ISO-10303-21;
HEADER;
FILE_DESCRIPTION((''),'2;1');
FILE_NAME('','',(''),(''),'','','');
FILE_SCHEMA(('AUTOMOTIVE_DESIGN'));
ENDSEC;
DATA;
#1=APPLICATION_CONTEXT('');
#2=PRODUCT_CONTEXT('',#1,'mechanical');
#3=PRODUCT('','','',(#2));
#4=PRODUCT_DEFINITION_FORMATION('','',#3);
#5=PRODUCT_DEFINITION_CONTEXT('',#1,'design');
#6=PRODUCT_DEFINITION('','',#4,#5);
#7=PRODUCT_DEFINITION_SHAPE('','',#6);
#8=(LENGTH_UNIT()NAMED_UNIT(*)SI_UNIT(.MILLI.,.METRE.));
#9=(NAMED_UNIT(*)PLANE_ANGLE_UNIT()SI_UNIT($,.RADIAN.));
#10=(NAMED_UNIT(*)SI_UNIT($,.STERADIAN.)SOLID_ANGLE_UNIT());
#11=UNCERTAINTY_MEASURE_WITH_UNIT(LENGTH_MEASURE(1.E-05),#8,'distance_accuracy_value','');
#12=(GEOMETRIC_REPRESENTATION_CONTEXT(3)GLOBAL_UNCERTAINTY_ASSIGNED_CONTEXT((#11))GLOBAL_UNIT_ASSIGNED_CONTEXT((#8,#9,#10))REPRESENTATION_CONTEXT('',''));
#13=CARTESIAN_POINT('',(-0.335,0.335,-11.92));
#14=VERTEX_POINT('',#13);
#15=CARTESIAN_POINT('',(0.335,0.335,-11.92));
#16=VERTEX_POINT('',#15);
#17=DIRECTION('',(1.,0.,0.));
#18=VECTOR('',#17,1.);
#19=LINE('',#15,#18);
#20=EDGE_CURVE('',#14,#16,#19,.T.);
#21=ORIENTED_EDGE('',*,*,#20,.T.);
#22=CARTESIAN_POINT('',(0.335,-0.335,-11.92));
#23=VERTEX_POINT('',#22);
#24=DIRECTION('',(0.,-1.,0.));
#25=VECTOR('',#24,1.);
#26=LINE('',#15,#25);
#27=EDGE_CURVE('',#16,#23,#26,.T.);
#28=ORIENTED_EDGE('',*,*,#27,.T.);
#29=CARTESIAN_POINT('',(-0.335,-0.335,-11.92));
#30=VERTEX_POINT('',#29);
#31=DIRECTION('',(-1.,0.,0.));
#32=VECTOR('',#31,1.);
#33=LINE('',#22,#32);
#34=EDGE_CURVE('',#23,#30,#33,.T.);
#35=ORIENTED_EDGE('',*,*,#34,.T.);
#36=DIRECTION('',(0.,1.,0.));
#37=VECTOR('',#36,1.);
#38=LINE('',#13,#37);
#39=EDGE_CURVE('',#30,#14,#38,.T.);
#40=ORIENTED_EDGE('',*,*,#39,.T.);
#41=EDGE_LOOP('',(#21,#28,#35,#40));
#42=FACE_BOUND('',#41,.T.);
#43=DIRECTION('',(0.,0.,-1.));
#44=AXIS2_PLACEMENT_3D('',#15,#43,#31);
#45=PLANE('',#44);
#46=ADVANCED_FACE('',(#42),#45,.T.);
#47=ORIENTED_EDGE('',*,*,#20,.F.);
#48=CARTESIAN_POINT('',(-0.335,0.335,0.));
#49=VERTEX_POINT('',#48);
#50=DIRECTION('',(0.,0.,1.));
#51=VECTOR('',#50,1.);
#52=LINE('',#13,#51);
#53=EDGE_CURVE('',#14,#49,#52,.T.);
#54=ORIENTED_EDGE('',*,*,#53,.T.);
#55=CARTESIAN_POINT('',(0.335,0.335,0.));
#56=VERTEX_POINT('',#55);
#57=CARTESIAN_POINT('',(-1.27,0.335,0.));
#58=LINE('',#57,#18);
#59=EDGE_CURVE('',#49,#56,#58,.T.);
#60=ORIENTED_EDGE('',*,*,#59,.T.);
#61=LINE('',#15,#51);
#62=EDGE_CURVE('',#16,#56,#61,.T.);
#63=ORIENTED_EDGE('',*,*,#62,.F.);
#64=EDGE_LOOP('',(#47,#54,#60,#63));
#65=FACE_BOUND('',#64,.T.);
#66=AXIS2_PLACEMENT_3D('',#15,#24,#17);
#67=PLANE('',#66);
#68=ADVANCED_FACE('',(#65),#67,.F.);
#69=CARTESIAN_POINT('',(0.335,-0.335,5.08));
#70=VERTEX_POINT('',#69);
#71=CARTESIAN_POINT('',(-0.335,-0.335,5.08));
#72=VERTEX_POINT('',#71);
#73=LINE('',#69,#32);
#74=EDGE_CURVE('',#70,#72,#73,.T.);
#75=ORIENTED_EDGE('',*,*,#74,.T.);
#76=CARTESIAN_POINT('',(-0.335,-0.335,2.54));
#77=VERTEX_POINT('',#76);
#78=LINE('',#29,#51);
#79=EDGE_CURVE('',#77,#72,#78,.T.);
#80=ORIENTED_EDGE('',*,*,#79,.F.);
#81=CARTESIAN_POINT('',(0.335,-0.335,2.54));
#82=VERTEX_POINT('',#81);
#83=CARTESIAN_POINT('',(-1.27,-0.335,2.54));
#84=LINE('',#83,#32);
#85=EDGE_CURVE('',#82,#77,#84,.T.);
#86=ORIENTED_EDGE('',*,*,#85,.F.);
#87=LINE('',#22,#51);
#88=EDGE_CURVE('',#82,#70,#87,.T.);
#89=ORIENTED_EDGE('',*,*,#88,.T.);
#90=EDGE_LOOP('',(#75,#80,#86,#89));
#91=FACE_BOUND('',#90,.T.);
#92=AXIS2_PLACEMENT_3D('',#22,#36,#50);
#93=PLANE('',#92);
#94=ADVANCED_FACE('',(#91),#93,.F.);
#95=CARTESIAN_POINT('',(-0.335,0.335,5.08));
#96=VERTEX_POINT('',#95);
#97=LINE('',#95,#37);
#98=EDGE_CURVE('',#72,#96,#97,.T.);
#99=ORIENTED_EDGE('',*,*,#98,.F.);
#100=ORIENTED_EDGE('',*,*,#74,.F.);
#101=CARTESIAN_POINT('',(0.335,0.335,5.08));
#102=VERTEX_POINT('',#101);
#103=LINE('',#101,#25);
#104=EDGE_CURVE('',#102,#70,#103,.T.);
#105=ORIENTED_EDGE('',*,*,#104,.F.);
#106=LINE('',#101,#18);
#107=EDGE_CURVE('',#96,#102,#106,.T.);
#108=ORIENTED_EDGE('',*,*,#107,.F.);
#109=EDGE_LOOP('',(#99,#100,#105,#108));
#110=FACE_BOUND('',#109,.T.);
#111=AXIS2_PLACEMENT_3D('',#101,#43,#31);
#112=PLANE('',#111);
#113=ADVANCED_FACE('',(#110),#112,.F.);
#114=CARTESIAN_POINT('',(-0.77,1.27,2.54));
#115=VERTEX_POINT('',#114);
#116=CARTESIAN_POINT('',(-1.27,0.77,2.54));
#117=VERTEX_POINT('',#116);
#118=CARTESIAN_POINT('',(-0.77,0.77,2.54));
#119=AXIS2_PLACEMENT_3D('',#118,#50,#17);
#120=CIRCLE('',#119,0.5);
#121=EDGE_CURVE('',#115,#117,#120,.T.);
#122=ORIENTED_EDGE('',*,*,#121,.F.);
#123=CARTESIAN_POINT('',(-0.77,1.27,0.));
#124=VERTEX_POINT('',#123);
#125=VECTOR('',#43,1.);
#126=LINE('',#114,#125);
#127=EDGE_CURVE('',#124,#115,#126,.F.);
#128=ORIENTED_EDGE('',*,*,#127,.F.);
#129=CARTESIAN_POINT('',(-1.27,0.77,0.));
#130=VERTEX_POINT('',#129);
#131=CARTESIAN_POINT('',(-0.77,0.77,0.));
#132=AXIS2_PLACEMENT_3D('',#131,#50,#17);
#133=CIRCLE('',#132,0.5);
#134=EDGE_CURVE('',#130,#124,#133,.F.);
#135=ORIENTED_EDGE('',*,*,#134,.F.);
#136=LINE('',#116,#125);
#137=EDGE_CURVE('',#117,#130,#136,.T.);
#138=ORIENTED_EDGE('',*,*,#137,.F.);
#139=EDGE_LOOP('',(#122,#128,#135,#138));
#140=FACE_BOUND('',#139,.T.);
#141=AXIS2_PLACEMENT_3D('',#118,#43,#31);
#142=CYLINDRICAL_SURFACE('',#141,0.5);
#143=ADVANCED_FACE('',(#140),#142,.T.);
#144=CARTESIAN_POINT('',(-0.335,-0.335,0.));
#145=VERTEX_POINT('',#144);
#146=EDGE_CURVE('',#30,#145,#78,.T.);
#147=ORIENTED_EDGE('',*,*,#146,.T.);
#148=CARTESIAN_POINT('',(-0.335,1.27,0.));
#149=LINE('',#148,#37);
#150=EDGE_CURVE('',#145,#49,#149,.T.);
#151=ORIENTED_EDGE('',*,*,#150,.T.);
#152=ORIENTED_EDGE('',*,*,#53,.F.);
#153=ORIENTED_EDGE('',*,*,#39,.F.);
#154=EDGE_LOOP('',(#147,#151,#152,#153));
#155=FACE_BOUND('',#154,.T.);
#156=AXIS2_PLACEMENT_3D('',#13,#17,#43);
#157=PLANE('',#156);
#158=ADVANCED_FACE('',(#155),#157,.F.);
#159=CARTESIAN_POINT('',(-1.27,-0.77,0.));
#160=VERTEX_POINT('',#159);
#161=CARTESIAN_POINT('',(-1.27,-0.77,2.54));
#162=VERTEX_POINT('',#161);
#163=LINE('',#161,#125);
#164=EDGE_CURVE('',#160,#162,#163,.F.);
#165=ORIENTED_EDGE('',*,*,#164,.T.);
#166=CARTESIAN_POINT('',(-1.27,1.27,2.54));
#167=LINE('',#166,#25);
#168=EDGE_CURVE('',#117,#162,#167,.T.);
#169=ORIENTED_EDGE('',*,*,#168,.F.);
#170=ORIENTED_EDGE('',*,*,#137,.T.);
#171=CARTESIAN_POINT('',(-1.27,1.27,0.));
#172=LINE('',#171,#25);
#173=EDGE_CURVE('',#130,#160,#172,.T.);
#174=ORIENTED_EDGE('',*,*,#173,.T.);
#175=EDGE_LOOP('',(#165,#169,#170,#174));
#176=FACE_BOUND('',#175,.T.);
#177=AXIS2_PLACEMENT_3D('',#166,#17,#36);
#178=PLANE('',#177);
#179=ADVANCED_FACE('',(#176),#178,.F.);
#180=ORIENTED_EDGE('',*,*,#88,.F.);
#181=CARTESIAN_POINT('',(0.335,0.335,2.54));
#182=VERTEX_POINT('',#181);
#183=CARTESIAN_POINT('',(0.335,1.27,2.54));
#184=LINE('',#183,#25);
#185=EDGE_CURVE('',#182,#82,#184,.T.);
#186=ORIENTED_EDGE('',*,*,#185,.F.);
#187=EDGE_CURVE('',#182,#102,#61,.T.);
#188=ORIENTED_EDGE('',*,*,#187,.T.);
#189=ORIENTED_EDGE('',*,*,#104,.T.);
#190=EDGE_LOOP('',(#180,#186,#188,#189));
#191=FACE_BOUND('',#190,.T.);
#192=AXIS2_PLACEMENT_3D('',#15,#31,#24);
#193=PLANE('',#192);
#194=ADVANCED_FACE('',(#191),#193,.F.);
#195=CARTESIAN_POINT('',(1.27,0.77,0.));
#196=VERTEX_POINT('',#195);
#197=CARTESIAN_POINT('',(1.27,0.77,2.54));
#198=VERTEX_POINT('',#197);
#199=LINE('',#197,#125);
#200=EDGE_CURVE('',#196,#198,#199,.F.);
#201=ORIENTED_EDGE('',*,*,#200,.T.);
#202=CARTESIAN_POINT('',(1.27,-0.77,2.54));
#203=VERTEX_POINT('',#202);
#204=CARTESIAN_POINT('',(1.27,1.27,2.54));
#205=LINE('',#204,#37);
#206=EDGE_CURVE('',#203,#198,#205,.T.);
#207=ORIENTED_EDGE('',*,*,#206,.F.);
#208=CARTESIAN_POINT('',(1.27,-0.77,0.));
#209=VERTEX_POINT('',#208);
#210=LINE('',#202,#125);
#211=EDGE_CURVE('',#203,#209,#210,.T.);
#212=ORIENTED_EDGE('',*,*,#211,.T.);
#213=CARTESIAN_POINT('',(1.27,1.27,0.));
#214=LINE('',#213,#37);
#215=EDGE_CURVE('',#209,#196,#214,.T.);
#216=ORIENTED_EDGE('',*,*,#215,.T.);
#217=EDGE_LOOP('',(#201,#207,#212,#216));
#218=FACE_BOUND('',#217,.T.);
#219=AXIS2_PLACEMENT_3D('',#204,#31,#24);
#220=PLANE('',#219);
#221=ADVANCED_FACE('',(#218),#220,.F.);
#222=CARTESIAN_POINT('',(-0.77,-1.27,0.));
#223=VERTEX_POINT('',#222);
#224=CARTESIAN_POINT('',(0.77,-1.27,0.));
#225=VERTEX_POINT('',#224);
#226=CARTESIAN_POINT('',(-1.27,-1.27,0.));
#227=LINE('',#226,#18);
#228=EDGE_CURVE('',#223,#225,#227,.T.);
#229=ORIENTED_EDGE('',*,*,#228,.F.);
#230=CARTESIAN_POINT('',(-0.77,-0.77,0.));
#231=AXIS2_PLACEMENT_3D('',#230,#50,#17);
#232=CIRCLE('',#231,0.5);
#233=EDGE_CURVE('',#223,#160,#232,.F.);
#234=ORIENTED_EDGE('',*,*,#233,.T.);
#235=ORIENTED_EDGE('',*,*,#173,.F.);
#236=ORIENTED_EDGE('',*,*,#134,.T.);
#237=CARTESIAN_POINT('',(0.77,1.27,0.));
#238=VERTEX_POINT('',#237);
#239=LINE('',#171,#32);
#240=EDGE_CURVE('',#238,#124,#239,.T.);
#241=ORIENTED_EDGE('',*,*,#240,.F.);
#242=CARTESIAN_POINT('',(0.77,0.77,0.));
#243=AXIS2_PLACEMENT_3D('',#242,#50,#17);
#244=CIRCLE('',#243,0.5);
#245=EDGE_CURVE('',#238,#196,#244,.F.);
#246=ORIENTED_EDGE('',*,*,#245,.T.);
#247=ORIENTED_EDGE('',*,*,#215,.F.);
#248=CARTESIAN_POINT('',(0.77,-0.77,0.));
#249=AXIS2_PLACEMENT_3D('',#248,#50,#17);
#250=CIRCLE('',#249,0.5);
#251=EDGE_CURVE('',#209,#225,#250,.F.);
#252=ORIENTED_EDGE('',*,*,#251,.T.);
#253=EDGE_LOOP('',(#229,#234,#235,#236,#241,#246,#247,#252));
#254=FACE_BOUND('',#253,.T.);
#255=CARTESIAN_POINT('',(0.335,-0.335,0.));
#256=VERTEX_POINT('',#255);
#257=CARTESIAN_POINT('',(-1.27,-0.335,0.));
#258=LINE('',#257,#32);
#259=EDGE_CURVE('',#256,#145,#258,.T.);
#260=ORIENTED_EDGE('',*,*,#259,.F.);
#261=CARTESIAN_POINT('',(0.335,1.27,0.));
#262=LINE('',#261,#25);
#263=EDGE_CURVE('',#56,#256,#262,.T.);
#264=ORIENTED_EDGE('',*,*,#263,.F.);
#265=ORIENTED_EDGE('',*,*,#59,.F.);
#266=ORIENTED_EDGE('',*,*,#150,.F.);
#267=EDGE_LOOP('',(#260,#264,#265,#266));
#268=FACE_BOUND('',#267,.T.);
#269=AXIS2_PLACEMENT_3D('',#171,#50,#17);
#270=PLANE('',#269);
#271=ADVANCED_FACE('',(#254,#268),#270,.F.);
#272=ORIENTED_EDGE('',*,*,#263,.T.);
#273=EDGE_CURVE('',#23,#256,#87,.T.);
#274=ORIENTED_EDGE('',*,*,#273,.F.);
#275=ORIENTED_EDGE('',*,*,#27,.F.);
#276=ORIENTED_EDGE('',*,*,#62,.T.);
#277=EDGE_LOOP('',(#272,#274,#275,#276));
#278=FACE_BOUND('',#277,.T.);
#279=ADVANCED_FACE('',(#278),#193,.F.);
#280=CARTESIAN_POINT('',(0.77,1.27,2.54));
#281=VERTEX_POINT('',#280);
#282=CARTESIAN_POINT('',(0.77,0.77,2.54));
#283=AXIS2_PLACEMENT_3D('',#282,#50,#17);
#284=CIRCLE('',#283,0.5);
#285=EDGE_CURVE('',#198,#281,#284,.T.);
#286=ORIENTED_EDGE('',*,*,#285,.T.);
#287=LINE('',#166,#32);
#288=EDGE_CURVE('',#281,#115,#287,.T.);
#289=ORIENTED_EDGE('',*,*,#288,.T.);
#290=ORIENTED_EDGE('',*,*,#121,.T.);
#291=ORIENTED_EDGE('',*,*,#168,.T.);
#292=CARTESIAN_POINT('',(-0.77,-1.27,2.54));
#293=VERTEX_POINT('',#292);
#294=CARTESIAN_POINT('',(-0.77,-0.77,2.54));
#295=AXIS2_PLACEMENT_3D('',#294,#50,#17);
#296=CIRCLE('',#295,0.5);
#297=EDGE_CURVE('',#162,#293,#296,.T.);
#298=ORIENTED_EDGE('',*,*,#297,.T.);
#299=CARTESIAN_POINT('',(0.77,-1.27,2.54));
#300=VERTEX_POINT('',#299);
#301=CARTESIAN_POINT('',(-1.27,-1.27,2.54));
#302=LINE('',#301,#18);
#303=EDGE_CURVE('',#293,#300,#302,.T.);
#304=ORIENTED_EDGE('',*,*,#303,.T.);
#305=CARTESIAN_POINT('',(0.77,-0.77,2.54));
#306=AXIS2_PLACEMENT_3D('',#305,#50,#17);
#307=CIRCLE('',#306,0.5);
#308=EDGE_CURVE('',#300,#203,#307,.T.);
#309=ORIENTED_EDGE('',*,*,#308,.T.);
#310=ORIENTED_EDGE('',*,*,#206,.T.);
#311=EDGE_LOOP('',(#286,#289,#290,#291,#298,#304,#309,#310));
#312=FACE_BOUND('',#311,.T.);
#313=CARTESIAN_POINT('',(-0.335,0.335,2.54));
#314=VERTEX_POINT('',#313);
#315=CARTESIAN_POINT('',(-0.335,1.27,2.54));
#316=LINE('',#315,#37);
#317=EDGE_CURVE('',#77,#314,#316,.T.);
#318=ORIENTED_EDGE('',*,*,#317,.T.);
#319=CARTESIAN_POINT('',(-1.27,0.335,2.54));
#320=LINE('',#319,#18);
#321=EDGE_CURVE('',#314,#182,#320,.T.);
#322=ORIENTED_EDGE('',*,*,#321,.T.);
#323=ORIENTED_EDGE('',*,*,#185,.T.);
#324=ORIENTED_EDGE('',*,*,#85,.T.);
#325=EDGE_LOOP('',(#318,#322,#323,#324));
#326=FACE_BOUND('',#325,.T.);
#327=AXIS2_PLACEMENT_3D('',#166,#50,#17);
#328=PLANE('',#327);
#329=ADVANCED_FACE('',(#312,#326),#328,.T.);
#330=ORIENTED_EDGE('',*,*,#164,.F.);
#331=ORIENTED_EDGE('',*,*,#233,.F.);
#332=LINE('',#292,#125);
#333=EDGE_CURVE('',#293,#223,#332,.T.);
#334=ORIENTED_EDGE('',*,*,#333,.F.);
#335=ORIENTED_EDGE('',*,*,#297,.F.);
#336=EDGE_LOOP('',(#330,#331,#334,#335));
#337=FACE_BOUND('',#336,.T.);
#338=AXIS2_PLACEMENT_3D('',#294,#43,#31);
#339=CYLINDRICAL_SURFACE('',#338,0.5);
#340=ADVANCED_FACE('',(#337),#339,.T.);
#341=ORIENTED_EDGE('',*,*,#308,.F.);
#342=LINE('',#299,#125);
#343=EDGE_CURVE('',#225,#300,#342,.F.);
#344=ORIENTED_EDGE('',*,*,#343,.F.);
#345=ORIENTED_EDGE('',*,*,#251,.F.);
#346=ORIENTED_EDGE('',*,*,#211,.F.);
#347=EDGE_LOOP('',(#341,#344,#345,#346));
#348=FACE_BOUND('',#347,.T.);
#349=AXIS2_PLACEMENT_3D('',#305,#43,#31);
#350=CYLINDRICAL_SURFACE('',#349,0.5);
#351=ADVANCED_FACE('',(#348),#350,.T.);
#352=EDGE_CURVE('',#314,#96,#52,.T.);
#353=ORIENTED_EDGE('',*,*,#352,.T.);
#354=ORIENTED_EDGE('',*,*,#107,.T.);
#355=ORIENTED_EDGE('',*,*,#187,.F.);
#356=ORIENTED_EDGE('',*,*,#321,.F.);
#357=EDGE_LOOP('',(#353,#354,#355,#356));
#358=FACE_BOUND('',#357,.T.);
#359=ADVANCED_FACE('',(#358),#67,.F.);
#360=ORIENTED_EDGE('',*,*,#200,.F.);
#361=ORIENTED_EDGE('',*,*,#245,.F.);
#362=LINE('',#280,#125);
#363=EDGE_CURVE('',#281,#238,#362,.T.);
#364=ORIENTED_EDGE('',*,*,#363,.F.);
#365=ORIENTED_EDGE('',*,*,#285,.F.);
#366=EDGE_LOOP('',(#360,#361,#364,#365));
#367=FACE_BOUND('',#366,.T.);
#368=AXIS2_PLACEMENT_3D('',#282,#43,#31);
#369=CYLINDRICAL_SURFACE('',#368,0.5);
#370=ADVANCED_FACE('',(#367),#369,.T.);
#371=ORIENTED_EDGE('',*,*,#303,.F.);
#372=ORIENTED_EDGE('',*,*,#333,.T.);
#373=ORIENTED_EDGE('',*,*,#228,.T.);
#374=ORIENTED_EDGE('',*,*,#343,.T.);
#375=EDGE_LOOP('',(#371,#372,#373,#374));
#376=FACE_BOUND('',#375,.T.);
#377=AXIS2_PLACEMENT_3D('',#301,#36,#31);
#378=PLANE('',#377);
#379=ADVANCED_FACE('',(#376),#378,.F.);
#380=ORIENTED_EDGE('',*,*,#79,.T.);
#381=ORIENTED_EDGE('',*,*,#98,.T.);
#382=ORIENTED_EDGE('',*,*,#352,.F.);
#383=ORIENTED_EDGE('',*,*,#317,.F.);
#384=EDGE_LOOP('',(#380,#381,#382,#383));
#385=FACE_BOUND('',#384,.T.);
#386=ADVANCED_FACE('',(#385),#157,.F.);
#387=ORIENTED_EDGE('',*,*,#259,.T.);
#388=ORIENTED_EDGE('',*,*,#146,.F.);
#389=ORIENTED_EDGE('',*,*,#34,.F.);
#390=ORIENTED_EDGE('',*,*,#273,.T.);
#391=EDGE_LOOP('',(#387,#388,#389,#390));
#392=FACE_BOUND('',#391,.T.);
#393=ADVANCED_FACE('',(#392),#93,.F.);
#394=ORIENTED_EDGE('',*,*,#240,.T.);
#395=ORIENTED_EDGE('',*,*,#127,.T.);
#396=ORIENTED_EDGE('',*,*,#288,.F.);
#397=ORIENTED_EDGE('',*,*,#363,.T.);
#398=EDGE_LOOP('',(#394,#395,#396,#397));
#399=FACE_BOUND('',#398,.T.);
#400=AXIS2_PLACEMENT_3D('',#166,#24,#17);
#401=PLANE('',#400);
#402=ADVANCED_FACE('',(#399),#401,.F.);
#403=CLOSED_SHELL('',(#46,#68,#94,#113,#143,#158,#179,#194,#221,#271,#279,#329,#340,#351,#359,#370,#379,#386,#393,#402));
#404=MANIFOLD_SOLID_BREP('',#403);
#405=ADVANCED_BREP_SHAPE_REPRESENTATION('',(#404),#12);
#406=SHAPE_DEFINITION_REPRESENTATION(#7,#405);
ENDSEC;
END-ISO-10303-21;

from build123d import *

# Parameters (mm, degrees)
SKETCH_1_W      = 2.54
SKETCH_1_H      = 2.54
EXTRUDE_1_DEPTH = 2.54
SKETCH_2_W      = 0.67
SKETCH_2_H      = 0.67
FILLET_1_R      = 0.5


with BuildPart() as part:
    # 草图1 → 拉伸1 (new body)
    with BuildSketch(Plane.XY):
        Rectangle(SKETCH_1_W, SKETCH_1_H)
    extrude(amount=EXTRUDE_1_DEPTH)

    # 扫描1: sweep along a path in 草图3
    with BuildLine(Plane(origin=(0, 0, 0), x_dir=(0, 0, -1), z_dir=(1, 0, 0))) as sweep_1_path:
        Line((11.92, -0.01), (-5.08, -0.01))
    # 草图2 → 扫描1 (sweep)
    with BuildSketch(Plane(origin=(0, 0, 5.08), x_dir=(-1, 0, 0), z_dir=(0, 0, -1))):
        Rectangle(SKETCH_2_W, SKETCH_2_H)
    sweep(path=sweep_1_path.line)

    # 圆角1
    fillet_1_edges = [part.edges().sort_by_distance(p)[0] for p in [
        (-1.27, 1.27, 1.27),
        (1.27, 1.27, 1.27),
        (1.27, -1.27, 1.27),
        (-1.27, -1.27, 1.27),
    ]]
    fillet(fillet_1_edges, radius=FILLET_1_R)


solid = part.part
